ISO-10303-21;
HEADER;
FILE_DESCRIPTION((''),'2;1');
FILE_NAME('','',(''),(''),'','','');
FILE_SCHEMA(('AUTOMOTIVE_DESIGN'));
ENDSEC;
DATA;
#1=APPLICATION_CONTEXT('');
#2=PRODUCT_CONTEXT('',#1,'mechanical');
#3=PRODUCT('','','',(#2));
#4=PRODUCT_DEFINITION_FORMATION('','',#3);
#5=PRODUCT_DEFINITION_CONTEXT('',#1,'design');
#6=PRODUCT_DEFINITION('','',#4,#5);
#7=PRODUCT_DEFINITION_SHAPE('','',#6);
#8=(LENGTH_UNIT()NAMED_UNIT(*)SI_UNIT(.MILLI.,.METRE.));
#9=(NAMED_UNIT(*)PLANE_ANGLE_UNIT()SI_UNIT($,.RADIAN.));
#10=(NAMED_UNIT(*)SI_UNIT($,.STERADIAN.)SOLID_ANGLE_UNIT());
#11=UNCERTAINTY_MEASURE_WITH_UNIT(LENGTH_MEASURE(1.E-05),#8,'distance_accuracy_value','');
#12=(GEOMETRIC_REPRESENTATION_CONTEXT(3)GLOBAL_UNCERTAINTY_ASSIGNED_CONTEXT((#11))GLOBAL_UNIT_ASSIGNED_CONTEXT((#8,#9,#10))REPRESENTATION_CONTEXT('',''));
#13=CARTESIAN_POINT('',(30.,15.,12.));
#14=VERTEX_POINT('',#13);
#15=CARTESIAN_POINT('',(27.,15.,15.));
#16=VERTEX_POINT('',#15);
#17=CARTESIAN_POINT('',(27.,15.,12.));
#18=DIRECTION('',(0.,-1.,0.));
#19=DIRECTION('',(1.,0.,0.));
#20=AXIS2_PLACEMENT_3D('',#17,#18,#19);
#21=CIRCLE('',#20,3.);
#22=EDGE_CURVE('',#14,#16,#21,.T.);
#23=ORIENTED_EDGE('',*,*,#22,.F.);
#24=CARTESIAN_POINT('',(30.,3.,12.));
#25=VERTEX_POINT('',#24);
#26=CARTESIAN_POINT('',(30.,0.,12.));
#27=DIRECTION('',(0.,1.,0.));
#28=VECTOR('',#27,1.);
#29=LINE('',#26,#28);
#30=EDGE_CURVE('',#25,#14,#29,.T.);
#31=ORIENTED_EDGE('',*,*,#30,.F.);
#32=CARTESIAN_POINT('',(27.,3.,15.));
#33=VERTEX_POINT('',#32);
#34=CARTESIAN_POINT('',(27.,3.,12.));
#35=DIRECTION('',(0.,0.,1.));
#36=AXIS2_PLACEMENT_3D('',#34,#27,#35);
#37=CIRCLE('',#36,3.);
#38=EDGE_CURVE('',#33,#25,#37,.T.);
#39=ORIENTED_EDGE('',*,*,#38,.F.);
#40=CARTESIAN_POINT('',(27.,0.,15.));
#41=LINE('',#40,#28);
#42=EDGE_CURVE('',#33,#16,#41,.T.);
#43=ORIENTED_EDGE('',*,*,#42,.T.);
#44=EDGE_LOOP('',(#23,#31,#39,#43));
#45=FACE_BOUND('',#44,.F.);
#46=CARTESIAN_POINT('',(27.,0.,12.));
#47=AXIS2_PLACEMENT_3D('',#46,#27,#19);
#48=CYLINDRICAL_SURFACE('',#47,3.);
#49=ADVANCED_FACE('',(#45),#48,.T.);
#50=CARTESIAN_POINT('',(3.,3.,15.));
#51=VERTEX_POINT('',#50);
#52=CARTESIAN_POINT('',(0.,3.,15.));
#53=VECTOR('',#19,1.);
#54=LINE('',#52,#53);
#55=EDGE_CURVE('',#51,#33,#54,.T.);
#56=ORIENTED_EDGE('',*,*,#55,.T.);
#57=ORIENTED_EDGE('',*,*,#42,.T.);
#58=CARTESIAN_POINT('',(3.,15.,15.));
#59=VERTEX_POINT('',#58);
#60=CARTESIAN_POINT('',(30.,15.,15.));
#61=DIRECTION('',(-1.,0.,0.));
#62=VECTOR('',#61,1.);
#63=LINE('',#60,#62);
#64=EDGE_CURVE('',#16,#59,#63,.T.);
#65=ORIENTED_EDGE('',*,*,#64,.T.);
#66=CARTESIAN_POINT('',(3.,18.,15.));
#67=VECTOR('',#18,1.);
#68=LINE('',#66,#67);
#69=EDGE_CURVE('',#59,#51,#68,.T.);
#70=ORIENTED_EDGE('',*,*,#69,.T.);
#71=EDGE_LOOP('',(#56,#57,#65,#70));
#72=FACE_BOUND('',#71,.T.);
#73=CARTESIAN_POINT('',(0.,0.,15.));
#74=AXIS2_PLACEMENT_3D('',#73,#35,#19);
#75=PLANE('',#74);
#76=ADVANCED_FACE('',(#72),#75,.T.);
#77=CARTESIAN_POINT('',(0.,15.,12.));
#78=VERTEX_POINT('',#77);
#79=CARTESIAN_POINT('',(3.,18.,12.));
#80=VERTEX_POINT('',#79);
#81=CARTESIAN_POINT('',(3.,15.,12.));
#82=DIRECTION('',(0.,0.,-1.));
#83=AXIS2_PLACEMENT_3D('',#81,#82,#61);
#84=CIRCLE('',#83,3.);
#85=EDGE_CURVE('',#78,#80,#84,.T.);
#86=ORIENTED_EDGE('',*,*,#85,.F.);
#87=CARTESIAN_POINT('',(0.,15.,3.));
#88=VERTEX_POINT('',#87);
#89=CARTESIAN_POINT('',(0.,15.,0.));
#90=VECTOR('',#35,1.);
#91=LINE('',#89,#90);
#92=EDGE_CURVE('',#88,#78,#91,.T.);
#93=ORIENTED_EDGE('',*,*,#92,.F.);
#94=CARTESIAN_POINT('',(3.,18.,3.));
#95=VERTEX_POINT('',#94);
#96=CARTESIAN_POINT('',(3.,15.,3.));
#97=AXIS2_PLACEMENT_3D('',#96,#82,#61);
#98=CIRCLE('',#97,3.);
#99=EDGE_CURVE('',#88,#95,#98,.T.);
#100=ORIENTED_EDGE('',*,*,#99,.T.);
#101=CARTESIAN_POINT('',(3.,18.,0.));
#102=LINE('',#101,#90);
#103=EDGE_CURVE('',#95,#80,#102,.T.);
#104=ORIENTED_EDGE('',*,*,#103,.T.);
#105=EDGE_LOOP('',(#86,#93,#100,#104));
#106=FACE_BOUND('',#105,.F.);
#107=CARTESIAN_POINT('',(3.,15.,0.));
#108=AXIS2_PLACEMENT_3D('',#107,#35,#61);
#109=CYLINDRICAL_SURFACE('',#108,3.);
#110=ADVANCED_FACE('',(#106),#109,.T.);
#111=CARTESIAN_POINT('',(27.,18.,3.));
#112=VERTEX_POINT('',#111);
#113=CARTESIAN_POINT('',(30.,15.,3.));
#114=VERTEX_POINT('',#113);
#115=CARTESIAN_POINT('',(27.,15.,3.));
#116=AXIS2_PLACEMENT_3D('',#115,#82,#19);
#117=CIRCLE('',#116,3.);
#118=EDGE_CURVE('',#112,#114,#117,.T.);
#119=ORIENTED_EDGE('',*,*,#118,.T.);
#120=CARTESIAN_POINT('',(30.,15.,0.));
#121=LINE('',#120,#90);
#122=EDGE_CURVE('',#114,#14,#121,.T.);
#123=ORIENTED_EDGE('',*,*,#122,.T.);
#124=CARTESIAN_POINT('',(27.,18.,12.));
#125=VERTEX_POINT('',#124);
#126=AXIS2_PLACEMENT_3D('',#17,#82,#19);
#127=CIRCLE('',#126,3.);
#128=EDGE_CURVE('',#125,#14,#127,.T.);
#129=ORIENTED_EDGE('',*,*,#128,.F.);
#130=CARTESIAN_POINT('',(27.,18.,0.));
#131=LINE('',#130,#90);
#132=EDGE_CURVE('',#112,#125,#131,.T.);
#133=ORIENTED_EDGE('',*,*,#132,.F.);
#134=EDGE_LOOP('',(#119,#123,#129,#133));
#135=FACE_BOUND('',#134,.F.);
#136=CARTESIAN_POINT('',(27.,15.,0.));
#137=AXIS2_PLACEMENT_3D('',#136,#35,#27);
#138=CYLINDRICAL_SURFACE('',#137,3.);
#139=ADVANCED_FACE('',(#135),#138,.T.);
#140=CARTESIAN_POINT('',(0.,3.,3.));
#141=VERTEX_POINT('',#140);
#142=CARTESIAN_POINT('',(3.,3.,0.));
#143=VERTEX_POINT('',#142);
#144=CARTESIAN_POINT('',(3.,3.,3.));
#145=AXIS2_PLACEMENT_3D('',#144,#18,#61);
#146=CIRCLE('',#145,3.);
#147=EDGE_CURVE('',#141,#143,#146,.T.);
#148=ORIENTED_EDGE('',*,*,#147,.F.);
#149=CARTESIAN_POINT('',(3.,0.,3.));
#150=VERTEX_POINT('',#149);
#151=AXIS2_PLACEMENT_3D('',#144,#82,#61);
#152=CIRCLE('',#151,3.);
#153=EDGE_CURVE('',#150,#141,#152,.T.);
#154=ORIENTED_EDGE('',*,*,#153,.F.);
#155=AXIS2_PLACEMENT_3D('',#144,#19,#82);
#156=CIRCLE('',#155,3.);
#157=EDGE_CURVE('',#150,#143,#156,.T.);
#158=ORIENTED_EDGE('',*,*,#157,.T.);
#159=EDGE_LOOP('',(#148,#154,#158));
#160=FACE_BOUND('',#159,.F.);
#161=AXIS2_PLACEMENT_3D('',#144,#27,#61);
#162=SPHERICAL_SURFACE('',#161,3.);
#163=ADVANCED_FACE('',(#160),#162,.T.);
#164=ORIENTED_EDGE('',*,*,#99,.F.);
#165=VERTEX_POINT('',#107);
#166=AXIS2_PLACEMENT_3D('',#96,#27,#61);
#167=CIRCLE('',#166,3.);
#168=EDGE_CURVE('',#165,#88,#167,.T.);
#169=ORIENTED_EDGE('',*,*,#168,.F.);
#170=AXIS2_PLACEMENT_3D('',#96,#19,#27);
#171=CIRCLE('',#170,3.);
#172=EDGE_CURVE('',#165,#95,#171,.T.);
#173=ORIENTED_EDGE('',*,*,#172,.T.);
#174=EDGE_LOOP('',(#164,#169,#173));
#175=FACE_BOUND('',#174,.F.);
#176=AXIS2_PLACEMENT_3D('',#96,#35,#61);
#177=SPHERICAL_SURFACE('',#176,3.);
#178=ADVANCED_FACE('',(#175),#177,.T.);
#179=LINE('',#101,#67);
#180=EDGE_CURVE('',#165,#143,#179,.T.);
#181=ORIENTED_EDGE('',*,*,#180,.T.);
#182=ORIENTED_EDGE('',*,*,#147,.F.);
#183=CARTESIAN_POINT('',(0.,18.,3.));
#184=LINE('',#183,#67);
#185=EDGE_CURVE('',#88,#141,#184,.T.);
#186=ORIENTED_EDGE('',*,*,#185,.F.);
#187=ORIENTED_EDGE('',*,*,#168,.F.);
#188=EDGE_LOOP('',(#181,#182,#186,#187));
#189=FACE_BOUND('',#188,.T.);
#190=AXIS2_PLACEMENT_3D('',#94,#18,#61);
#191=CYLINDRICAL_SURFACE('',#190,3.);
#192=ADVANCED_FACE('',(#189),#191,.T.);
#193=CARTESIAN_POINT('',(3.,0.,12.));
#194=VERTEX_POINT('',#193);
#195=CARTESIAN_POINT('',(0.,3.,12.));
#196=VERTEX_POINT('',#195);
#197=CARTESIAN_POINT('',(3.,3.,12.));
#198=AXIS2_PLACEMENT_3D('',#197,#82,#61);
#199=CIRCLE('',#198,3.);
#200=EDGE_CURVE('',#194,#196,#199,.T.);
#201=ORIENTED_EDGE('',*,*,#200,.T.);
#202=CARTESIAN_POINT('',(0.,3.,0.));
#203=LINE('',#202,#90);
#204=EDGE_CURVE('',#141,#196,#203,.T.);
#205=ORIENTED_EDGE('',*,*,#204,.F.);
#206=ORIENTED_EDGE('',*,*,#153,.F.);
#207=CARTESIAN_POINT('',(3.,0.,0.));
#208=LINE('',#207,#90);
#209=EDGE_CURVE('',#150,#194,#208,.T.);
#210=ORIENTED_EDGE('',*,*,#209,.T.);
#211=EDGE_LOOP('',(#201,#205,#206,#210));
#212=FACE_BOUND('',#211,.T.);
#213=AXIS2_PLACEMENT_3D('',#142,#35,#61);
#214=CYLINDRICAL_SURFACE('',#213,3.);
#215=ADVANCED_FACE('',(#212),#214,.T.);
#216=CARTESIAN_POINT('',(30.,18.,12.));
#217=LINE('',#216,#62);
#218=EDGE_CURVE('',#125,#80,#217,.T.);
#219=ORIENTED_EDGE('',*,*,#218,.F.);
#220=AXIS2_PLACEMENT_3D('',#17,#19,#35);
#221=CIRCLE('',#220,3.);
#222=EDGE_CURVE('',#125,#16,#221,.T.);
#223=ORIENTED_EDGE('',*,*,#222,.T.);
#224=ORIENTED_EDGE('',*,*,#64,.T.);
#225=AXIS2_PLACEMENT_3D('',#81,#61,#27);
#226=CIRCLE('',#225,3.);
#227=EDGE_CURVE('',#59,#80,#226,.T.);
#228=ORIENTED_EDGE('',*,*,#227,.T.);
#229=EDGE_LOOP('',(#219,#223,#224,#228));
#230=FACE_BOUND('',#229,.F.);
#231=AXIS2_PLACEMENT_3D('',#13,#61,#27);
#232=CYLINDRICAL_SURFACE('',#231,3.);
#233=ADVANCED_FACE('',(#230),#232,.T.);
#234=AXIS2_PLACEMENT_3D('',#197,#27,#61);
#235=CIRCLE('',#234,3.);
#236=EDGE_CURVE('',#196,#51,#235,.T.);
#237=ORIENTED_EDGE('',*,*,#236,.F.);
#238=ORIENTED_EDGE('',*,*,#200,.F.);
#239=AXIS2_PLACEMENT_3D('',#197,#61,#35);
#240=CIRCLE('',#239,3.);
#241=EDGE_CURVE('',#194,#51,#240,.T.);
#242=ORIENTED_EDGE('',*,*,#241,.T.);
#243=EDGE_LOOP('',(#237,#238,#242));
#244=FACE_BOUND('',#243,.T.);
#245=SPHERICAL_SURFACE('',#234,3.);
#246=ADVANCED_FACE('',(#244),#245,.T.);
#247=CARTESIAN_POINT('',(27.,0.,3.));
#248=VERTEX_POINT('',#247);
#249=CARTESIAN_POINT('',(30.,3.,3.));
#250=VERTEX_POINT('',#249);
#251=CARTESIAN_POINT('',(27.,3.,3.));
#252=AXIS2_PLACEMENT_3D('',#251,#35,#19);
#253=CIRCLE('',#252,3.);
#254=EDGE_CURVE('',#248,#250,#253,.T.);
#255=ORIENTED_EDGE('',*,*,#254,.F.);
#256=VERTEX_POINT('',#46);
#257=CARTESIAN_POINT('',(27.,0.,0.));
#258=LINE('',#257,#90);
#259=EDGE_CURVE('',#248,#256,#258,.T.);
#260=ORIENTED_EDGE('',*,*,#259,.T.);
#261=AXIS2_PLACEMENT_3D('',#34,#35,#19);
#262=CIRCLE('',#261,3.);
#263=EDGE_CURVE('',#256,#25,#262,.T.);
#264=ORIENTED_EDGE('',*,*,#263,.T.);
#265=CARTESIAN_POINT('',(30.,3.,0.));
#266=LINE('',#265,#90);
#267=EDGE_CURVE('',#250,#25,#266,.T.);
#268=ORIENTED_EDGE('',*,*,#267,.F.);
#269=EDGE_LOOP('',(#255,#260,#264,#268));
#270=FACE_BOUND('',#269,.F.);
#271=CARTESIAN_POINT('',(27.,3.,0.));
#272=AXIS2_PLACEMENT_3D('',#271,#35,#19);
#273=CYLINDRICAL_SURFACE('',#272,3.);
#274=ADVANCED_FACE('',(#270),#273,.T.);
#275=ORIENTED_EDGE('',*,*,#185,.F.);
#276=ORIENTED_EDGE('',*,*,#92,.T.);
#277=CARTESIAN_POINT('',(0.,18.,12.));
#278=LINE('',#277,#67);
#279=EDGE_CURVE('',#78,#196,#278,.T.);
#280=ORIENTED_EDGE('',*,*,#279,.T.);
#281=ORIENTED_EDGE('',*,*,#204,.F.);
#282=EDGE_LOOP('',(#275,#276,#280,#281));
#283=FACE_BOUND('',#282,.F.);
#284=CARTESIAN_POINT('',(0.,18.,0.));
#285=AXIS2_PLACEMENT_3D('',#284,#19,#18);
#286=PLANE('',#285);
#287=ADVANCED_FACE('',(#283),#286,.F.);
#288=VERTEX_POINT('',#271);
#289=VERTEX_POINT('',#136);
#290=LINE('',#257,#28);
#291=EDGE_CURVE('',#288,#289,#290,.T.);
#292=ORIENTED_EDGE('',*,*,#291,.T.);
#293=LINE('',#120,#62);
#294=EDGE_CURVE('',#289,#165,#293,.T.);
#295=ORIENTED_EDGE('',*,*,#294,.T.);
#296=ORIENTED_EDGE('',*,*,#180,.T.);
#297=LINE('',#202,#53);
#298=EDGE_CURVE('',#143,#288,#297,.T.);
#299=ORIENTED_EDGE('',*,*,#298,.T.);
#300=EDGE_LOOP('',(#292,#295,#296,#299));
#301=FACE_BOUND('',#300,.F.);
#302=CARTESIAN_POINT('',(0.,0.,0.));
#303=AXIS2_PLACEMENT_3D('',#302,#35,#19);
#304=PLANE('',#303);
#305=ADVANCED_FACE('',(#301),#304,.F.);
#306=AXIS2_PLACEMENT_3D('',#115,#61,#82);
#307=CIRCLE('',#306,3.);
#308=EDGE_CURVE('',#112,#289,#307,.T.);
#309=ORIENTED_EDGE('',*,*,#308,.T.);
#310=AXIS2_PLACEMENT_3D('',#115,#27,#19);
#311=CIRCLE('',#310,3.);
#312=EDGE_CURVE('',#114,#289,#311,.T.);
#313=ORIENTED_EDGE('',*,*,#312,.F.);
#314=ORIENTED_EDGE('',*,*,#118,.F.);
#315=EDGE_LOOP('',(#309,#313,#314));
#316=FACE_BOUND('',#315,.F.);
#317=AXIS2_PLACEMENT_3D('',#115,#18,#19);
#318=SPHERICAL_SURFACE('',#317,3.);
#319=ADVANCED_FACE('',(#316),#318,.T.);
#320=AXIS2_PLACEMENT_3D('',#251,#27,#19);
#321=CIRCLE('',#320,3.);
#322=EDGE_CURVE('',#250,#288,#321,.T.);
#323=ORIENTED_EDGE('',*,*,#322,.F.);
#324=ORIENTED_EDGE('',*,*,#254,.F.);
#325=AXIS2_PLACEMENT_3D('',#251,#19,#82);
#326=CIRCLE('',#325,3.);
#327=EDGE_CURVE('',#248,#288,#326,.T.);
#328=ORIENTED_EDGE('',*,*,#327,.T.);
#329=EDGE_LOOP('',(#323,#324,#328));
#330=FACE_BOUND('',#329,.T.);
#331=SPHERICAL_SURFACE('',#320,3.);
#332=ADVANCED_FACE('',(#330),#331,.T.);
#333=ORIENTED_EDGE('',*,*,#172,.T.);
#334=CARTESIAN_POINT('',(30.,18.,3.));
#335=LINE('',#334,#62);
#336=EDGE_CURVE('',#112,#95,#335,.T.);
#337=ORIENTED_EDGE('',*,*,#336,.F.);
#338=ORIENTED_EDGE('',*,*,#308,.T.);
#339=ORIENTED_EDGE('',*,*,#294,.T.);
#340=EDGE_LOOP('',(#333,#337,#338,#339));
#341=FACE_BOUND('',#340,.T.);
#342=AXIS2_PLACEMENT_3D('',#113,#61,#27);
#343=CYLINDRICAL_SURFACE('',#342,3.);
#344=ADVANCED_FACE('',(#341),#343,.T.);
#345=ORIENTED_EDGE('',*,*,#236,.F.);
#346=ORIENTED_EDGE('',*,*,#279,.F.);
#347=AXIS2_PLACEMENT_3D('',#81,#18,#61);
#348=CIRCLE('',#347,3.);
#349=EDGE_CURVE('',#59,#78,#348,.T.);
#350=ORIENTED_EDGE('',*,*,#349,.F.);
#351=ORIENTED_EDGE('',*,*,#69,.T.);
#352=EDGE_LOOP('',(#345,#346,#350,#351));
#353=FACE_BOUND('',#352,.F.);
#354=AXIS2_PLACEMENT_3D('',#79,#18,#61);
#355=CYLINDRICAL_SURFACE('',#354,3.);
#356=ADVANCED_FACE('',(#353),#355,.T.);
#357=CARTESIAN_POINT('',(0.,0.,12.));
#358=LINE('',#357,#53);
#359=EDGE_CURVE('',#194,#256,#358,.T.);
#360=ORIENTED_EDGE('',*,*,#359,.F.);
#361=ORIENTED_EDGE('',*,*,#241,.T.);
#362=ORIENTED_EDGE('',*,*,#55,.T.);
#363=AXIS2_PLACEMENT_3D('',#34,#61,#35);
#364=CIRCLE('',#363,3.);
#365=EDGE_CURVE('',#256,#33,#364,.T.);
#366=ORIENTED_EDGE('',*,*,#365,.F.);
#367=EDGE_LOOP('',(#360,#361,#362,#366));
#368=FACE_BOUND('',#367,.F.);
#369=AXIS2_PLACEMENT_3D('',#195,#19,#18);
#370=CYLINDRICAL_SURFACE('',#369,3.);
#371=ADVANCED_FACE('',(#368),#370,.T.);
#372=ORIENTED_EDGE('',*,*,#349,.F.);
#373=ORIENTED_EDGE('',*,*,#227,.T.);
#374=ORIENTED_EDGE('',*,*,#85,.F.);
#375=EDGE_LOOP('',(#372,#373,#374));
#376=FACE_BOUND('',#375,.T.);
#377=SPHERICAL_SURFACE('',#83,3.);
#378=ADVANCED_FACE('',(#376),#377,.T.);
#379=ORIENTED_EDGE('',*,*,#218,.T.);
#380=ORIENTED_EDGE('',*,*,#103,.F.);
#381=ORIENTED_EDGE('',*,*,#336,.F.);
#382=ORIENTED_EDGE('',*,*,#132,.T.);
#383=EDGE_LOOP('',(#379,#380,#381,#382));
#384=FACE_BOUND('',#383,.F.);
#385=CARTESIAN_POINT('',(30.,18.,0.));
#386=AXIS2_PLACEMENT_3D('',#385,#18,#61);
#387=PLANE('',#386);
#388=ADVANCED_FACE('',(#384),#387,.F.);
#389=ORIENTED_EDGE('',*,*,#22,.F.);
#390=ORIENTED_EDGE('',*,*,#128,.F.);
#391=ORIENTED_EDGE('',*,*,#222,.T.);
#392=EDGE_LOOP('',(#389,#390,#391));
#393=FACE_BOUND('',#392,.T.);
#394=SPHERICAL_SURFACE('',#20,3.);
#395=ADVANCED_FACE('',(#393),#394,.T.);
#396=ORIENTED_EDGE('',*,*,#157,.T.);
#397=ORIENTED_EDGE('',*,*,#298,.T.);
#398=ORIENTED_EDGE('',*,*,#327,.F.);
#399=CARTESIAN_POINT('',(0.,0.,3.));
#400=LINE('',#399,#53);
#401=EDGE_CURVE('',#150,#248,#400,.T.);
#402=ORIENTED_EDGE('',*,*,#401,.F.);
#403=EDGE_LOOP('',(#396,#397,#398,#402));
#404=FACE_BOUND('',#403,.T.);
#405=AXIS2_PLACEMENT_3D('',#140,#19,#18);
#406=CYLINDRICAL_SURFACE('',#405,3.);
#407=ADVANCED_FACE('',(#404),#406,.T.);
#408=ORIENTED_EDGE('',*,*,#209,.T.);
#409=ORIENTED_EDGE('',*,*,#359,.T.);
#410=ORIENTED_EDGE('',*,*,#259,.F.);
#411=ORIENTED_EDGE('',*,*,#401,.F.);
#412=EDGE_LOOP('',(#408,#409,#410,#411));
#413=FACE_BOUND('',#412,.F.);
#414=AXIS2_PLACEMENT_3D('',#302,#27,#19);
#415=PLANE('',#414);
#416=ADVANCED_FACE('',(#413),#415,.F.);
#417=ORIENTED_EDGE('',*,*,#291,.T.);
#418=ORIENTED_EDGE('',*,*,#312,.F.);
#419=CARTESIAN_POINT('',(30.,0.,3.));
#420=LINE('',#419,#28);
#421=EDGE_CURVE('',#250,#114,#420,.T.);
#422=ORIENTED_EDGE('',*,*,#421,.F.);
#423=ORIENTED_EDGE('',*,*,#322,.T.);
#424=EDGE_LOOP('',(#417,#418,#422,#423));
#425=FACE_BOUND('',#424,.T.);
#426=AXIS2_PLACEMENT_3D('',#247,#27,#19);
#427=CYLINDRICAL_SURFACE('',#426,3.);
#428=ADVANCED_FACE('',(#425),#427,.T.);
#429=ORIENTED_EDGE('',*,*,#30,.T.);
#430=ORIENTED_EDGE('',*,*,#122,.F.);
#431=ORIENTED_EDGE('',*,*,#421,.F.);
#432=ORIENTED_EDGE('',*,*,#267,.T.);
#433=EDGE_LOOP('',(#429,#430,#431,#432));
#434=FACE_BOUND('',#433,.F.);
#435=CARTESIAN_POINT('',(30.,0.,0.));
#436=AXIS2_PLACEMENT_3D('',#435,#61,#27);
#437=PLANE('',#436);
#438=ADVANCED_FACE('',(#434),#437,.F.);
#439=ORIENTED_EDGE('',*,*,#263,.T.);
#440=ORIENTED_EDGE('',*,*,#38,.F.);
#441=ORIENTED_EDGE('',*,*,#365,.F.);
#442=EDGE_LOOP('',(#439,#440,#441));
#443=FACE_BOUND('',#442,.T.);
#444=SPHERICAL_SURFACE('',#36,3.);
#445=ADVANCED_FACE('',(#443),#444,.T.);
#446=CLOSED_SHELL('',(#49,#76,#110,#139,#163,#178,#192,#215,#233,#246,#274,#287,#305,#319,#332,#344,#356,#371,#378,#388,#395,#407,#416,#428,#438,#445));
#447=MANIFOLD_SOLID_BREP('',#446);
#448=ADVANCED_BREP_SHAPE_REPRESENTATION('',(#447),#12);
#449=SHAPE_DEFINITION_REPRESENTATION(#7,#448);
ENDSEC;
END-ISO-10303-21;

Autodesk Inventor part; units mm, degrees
ref_plane "YZ Plane" through (0, 0, 0) normal (1, 0, 0) x (0, 1, 0)
ref_plane "XZ Plane" through (0, 0, 0) normal (0, 1, 0) x (-1, 0, 0)
ref_plane "XY Plane" through (0, 0, 0) normal (0, 0, 1) x (1, 0, 0)
sketch "スケッチ1" plane through (0, 0, 0) normal (0, 0, 1) x (1, 0, 0)
  line L0 (0, 0) -> (30, 0)
  line L1 (30, 0) -> (30, 18)
  line L2 (30, 18) -> (0, 18)
  line L3 (0, 18) -> (0, 0)
  dimension "d0" = 30
  dimension "d1" = 18
extrude "押し出し1" add sketch "スケッチ1" along normal blind 15
fillet "フィレット1" radius 3 12 edges at (0, 18, 7.5) (0, 9, 15) (0, 9, 0) (0, 0, 7.5) (30, 9, 15) (30, 9, 0) (30, 18, 7.5) (15, 0, 15) (30, 0, 7.5) (15, 0, 0) (15, 18, 15) (15, 18, 0)
properties part number "Battery"
